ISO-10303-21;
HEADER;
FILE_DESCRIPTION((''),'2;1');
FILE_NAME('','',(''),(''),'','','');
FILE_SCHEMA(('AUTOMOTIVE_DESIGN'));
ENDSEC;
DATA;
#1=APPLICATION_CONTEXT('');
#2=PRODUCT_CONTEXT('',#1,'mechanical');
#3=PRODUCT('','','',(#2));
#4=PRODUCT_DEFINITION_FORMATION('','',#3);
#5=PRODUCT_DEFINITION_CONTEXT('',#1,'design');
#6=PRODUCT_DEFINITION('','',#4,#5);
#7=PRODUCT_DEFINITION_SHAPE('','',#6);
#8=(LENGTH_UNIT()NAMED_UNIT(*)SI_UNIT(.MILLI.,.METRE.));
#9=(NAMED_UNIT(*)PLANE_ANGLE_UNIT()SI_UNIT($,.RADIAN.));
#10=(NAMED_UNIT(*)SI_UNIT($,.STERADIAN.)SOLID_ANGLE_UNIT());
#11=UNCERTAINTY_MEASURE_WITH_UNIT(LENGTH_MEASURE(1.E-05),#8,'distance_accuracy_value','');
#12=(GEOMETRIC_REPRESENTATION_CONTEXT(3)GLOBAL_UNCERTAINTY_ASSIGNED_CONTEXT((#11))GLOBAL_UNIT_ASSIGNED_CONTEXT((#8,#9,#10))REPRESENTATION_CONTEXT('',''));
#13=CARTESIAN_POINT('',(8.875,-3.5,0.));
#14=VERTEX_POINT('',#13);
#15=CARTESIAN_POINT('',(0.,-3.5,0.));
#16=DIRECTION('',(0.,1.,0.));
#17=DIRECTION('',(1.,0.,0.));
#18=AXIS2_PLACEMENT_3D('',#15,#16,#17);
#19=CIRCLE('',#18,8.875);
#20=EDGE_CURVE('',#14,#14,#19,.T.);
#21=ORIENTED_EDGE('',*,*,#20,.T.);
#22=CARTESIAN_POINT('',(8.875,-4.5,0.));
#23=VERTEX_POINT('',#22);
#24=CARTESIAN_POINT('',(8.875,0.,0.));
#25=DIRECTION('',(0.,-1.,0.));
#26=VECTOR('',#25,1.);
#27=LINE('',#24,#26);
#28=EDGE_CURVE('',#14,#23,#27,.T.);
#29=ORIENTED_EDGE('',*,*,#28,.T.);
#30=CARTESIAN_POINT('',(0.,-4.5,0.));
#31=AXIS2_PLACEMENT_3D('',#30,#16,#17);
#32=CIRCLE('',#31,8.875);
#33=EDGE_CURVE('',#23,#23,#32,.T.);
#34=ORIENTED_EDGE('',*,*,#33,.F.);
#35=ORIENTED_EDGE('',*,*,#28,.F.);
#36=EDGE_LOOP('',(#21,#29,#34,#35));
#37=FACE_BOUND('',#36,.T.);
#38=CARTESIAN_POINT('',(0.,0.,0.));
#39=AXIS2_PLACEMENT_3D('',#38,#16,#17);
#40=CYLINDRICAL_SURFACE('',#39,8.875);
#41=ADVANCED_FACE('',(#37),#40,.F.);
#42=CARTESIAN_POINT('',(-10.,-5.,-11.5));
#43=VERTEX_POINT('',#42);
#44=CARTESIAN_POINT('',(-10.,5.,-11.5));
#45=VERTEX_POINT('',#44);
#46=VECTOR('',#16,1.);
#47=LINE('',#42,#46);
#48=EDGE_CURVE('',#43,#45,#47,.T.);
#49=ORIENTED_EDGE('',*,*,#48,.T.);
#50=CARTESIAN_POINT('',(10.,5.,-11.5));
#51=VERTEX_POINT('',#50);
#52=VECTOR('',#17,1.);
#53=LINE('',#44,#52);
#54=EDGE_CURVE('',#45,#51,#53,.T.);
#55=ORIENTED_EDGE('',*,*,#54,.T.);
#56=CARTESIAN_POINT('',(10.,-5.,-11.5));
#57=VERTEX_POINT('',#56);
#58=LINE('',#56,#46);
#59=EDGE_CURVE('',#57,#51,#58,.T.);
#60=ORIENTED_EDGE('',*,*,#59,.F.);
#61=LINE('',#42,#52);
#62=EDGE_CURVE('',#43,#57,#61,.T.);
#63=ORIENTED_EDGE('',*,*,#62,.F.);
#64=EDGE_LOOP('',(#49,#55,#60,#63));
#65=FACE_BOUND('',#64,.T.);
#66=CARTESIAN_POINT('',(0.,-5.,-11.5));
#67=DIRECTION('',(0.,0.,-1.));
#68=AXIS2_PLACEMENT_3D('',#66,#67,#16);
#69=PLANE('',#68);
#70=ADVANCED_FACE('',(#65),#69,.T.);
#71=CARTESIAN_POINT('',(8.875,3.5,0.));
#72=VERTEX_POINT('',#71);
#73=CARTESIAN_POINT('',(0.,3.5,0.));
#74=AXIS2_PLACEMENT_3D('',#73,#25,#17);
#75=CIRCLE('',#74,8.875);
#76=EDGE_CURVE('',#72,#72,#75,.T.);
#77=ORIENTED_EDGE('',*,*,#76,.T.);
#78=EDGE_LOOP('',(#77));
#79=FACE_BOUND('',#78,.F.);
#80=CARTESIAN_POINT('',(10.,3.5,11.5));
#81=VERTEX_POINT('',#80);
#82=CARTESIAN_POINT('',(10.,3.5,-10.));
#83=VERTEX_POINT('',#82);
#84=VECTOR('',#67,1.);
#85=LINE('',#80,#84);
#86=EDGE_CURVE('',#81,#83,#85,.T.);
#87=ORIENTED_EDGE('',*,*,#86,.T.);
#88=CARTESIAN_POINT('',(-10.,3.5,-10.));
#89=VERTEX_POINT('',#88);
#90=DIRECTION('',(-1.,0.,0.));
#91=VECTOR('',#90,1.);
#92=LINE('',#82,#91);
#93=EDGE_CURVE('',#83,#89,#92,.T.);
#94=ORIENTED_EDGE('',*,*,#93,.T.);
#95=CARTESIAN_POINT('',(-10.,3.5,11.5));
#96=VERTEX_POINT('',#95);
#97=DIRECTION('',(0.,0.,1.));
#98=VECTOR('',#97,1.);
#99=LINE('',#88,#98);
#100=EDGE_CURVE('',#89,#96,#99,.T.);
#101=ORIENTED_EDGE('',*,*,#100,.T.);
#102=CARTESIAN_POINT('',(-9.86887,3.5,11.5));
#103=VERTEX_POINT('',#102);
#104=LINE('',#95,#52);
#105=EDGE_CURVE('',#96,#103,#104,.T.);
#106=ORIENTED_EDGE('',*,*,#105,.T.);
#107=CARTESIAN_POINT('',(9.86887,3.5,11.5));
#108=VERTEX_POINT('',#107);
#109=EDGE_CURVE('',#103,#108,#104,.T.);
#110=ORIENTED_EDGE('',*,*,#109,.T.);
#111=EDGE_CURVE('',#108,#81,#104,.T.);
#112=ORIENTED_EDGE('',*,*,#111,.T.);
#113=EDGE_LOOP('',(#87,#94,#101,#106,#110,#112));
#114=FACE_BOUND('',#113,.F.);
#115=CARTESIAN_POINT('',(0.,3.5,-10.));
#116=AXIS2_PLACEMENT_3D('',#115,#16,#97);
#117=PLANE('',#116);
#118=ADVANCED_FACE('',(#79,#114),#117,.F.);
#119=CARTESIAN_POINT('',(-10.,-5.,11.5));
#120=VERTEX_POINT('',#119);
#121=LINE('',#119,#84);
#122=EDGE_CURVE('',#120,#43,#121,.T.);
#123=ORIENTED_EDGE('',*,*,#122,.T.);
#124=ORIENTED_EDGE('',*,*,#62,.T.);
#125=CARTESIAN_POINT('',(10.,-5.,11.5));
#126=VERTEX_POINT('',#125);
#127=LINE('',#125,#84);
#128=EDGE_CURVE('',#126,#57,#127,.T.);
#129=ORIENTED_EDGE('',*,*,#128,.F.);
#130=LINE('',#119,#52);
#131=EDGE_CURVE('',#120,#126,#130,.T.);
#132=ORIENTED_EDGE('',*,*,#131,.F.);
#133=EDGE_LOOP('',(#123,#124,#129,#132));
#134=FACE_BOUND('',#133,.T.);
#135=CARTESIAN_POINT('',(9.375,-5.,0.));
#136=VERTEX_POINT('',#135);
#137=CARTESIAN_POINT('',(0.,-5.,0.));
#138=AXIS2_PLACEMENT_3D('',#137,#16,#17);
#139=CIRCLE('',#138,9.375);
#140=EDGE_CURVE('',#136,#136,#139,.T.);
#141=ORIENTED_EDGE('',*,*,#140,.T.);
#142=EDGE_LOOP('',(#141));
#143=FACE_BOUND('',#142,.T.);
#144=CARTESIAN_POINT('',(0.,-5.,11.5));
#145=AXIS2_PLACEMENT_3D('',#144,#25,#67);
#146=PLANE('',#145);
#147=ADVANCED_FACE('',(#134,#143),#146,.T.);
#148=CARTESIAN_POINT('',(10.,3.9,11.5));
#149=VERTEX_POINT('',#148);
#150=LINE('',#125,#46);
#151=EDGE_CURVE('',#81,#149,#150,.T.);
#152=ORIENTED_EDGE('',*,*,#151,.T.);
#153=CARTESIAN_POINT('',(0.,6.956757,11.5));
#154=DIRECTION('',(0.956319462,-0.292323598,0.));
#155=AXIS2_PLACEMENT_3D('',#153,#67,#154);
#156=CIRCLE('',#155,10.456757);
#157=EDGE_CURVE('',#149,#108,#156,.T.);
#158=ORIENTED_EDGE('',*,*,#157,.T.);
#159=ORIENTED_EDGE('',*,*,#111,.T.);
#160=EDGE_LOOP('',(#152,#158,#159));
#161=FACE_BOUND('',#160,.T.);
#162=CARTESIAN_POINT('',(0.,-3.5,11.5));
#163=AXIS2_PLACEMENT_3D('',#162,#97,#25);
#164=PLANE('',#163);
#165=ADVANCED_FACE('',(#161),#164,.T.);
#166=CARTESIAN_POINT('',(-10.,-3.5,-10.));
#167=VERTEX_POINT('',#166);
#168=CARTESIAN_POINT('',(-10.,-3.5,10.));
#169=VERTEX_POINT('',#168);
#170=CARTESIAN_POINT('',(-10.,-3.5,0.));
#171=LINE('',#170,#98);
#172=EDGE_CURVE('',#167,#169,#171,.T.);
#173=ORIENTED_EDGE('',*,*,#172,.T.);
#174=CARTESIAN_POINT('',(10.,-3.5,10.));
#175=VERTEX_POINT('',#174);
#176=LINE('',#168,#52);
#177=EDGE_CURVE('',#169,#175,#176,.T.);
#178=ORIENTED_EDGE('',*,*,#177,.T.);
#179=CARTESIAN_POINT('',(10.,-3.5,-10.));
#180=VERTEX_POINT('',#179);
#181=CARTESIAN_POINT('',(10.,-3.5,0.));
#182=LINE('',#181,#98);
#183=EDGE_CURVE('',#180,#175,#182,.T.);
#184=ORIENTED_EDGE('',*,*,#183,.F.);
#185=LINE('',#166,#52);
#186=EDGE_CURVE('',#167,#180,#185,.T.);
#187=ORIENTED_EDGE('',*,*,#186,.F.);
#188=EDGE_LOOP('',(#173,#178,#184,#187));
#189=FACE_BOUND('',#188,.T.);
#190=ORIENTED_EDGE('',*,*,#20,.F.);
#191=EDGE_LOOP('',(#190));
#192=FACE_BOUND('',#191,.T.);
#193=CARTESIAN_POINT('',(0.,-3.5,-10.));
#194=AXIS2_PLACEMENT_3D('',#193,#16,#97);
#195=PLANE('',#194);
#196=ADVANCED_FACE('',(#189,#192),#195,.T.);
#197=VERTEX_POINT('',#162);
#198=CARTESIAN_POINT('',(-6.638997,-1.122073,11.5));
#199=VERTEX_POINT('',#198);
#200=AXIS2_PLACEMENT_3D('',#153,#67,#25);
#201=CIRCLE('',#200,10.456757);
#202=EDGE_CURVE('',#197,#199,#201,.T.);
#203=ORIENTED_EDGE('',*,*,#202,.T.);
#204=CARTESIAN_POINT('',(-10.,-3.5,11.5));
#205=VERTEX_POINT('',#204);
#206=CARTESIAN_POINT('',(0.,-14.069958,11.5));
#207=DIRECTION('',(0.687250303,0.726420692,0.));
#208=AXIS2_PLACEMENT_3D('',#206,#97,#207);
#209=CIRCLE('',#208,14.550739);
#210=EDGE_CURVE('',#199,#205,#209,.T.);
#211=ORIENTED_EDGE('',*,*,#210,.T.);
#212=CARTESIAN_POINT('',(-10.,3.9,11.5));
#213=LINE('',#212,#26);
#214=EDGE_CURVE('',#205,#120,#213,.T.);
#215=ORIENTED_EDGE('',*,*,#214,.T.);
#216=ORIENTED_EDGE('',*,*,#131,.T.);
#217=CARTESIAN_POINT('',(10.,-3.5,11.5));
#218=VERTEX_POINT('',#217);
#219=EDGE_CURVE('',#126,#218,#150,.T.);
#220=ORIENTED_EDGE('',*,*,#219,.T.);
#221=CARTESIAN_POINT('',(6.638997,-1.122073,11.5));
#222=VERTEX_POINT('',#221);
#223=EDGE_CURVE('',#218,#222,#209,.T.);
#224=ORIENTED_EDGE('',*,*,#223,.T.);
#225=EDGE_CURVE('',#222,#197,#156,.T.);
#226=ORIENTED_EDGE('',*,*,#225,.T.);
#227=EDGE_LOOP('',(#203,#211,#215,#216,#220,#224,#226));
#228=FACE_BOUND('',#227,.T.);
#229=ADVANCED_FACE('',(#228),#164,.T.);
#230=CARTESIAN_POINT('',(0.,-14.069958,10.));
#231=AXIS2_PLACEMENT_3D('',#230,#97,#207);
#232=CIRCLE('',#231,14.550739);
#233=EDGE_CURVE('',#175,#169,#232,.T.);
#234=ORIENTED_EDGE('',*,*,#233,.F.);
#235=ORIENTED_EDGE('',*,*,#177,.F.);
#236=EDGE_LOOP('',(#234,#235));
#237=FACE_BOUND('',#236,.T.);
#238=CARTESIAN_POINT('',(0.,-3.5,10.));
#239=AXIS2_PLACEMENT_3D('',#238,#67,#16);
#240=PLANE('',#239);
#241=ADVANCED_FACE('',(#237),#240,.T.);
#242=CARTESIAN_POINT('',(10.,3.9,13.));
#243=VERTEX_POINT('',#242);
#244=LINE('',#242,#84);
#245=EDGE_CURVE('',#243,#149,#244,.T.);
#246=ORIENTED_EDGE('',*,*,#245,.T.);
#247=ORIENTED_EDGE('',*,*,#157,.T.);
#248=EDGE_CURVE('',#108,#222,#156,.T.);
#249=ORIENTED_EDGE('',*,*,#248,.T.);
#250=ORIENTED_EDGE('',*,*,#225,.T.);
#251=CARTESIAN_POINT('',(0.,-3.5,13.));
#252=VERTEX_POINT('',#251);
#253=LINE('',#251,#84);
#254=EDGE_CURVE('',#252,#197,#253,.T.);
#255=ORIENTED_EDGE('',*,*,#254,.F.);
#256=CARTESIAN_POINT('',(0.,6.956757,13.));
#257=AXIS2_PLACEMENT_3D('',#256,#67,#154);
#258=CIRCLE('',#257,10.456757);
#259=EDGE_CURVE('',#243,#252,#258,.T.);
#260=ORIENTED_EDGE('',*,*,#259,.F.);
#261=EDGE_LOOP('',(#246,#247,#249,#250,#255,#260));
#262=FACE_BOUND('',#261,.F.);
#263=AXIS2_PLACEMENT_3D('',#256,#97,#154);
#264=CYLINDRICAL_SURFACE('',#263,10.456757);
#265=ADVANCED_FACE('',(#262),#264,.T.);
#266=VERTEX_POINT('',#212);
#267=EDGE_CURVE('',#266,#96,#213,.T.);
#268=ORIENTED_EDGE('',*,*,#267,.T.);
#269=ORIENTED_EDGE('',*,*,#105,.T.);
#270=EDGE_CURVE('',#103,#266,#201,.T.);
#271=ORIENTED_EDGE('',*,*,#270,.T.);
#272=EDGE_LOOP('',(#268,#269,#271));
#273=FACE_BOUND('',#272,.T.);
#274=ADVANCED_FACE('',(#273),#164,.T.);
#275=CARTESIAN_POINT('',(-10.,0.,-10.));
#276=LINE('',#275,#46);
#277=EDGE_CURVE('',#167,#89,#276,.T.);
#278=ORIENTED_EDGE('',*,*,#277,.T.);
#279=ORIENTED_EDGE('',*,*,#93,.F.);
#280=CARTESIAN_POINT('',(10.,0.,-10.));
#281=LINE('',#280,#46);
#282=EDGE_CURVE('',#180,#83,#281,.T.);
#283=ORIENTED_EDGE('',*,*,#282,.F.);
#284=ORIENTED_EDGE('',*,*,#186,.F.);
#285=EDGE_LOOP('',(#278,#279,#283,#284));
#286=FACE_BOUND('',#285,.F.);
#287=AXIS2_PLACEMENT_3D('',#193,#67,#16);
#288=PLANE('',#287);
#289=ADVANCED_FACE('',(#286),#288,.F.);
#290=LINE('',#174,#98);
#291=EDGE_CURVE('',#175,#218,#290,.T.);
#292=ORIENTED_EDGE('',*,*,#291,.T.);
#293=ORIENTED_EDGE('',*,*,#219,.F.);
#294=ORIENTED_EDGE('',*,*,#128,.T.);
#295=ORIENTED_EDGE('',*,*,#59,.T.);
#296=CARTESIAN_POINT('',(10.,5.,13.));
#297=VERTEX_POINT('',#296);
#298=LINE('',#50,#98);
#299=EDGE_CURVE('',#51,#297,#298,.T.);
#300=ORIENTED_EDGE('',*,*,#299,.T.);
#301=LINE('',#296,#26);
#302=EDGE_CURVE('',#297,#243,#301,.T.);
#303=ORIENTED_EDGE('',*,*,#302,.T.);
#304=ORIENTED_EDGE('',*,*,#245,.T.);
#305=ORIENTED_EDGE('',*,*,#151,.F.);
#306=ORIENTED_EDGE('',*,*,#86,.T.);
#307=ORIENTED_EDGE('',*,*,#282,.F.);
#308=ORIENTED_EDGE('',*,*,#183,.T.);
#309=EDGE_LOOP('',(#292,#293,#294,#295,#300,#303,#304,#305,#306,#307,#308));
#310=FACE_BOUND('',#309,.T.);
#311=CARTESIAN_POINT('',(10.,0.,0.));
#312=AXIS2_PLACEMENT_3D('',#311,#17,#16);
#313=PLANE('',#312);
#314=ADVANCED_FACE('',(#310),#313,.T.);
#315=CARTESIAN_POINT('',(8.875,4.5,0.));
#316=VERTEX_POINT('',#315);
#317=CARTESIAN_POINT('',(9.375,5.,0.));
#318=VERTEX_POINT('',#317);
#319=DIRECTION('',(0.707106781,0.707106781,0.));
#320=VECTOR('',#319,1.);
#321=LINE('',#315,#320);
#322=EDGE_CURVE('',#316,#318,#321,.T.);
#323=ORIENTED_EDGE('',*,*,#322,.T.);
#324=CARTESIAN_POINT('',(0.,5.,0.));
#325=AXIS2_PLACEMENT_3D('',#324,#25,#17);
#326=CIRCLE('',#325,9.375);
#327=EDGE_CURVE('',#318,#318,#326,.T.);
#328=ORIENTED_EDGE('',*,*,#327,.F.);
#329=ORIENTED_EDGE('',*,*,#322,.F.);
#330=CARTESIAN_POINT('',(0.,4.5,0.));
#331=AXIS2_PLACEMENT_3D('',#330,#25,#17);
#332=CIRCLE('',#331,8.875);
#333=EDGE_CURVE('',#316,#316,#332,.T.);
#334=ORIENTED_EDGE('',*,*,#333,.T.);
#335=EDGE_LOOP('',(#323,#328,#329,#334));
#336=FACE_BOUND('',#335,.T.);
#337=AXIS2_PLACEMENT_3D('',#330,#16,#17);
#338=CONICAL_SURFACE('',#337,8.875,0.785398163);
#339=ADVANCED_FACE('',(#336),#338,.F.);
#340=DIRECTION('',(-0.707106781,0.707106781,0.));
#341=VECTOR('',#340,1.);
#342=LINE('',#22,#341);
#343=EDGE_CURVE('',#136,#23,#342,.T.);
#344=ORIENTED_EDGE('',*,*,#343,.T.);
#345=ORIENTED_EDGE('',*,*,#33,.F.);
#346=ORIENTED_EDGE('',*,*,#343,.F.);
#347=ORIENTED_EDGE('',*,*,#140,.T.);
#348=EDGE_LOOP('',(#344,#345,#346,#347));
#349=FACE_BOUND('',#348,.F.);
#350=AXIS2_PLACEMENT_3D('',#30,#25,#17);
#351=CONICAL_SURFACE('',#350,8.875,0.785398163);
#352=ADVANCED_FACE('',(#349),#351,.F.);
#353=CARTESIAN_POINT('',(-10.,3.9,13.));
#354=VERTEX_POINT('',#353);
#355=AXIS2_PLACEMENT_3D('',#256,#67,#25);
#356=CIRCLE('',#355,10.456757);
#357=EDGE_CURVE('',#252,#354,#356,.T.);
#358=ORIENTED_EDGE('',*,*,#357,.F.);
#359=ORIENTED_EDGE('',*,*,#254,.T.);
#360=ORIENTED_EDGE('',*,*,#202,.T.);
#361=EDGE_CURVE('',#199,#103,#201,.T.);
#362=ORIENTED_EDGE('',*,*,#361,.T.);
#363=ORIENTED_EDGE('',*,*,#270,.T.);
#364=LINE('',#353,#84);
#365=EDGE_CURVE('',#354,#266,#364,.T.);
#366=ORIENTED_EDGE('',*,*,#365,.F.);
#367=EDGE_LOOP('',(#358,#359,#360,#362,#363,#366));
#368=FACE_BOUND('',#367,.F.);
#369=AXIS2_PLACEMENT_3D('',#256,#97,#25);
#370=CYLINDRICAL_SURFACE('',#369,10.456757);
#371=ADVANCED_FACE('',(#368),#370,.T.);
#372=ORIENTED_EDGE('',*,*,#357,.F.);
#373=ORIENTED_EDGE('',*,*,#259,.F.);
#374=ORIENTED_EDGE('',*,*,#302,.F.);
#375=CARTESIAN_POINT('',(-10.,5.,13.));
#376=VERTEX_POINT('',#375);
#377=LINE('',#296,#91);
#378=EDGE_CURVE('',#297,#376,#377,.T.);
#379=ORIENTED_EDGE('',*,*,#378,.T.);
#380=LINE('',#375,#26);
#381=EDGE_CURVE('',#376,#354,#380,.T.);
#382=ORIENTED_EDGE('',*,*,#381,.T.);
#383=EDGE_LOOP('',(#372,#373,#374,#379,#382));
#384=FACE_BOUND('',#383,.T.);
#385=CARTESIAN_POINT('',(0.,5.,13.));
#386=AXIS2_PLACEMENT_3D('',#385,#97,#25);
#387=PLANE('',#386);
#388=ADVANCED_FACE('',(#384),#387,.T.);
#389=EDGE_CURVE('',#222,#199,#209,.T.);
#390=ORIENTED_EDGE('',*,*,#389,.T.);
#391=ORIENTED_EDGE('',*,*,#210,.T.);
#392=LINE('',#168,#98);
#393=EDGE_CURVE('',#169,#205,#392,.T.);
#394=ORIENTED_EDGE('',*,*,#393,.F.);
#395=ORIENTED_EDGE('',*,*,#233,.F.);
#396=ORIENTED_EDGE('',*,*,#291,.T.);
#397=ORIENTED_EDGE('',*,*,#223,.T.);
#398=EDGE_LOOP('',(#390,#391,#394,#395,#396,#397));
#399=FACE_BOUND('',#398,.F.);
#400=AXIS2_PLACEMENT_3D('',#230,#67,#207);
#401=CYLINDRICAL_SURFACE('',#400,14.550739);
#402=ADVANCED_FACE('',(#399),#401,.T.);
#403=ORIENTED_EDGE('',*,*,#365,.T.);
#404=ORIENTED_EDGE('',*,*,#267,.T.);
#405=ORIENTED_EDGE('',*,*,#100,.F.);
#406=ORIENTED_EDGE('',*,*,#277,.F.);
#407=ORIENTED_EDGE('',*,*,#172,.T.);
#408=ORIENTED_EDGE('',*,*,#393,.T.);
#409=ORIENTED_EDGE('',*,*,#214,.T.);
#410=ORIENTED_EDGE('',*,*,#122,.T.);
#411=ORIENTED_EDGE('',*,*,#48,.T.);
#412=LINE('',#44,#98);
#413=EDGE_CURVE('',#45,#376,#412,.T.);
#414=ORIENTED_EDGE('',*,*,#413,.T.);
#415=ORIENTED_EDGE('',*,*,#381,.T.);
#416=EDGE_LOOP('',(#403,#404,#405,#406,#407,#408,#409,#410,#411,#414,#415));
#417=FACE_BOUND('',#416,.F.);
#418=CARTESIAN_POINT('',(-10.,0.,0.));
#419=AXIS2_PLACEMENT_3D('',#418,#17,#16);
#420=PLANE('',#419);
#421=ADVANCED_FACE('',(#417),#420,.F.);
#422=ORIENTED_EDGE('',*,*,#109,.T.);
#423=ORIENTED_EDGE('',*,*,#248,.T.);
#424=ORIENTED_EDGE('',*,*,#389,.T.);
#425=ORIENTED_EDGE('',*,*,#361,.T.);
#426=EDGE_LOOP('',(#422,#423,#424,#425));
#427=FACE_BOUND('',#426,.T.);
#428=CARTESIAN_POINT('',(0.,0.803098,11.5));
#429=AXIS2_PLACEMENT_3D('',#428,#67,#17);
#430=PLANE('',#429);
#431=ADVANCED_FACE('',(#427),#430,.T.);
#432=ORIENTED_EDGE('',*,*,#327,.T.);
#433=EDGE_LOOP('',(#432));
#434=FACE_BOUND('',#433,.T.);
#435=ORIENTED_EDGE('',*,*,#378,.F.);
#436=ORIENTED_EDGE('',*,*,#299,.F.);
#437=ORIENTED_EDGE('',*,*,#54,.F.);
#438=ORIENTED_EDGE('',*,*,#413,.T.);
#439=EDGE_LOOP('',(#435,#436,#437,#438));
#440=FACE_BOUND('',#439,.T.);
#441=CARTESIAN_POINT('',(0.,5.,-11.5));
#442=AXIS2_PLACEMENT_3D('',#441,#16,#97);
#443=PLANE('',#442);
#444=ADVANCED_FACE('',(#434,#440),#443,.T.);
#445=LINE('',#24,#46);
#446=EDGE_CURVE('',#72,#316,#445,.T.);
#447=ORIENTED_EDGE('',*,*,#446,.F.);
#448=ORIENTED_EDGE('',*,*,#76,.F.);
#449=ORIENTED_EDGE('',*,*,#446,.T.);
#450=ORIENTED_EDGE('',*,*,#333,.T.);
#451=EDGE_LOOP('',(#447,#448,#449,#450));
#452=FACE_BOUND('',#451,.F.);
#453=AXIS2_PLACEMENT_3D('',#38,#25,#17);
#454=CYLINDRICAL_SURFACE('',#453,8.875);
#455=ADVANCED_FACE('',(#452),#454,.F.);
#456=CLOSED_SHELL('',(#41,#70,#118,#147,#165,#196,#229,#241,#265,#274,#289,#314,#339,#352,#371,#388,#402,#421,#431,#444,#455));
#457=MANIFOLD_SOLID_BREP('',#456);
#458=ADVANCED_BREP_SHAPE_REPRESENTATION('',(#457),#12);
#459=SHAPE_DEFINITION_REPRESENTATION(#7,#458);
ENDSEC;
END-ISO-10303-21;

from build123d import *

# Parameters (mm, degrees)
F0_W          = 7
F0_H          = 20
F2_DEPTH      = 10
F2_DEPTH_BACK = 10
F1_R          = 8.875
F3_DEPTH      = 25
F3_DEPTH_BACK = 25
F5_DEPTH      = 1.5
F7_DEPTH      = 1.5
F8_SIZE       = 0.5


with BuildPart() as f2:
    # F0 (on Right) → F2 (new body, two sides)
    with BuildSketch(Plane.YZ) as f2_sk:
        Polygon((5, 11.5), (3.5, 11.5), (-3.5, 11.5), (-5, 11.5), (-5, -11.5), (5, -11.5), align=None)
        Rectangle(F0_W, F0_H, mode=Mode.SUBTRACT)
        Polygon((-3.5, 11.5), (3.5, 11.5), (5, 11.5), (5, 13), (-3.5, 13), align=None)
    extrude(amount=F2_DEPTH)
    extrude(f2_sk.sketch, amount=-F2_DEPTH_BACK)

    # F1 (on Front) → F3 (cut, two sides)
    with BuildSketch(Plane.XZ) as f3_sk:
        Circle(F1_R)
    extrude(amount=-F3_DEPTH, mode=Mode.SUBTRACT)
    extrude(f3_sk.sketch, amount=F3_DEPTH_BACK, mode=Mode.SUBTRACT)

    # F4 (on face) → F5 (cut)
    with BuildSketch(Plane.XY.offset(13)):
        with BuildLine():
            ThreePointArc((0, -3.5), (-6.220128616, -1.4488224541), (-10, 3.9))
            Line((-10, 3.9), (-10, -3.5))
            Line((-10, -3.5), (0, -3.5))
        make_face()
        with BuildLine():
            ThreePointArc((10, 3.9), (6.220128616, -1.4488224541), (0, -3.5))
            Line((0, -3.5), (10, -3.5))
            Line((10, -3.5), (10, 3.9))
        make_face()
    extrude(amount=-F5_DEPTH, mode=Mode.SUBTRACT)

    # F6 (on face) → F7 (cut)
    with BuildSketch(Plane(origin=(0, 0, 10), x_dir=(1, 0, 0), z_dir=(0, 0, -1))):
        with BuildLine():
            ThreePointArc((10, 3.5), (0, -0.4807811985), (-10, 3.5))
            Line((-10, 3.5), (-10, -3.5))
            Line((-10, -3.5), (10, -3.5))
            Line((10, -3.5), (10, 3.5))
        make_face()
    extrude(amount=-F7_DEPTH, mode=Mode.SUBTRACT)

    # F8
    f8_edges = [f2.edges().sort_by_distance(p)[0] for p in [
        (-8.875, -5, 0),
        (-8.875, 5, 0),
    ]]
    chamfer(f8_edges, length=F8_SIZE)


solid = f2.part
